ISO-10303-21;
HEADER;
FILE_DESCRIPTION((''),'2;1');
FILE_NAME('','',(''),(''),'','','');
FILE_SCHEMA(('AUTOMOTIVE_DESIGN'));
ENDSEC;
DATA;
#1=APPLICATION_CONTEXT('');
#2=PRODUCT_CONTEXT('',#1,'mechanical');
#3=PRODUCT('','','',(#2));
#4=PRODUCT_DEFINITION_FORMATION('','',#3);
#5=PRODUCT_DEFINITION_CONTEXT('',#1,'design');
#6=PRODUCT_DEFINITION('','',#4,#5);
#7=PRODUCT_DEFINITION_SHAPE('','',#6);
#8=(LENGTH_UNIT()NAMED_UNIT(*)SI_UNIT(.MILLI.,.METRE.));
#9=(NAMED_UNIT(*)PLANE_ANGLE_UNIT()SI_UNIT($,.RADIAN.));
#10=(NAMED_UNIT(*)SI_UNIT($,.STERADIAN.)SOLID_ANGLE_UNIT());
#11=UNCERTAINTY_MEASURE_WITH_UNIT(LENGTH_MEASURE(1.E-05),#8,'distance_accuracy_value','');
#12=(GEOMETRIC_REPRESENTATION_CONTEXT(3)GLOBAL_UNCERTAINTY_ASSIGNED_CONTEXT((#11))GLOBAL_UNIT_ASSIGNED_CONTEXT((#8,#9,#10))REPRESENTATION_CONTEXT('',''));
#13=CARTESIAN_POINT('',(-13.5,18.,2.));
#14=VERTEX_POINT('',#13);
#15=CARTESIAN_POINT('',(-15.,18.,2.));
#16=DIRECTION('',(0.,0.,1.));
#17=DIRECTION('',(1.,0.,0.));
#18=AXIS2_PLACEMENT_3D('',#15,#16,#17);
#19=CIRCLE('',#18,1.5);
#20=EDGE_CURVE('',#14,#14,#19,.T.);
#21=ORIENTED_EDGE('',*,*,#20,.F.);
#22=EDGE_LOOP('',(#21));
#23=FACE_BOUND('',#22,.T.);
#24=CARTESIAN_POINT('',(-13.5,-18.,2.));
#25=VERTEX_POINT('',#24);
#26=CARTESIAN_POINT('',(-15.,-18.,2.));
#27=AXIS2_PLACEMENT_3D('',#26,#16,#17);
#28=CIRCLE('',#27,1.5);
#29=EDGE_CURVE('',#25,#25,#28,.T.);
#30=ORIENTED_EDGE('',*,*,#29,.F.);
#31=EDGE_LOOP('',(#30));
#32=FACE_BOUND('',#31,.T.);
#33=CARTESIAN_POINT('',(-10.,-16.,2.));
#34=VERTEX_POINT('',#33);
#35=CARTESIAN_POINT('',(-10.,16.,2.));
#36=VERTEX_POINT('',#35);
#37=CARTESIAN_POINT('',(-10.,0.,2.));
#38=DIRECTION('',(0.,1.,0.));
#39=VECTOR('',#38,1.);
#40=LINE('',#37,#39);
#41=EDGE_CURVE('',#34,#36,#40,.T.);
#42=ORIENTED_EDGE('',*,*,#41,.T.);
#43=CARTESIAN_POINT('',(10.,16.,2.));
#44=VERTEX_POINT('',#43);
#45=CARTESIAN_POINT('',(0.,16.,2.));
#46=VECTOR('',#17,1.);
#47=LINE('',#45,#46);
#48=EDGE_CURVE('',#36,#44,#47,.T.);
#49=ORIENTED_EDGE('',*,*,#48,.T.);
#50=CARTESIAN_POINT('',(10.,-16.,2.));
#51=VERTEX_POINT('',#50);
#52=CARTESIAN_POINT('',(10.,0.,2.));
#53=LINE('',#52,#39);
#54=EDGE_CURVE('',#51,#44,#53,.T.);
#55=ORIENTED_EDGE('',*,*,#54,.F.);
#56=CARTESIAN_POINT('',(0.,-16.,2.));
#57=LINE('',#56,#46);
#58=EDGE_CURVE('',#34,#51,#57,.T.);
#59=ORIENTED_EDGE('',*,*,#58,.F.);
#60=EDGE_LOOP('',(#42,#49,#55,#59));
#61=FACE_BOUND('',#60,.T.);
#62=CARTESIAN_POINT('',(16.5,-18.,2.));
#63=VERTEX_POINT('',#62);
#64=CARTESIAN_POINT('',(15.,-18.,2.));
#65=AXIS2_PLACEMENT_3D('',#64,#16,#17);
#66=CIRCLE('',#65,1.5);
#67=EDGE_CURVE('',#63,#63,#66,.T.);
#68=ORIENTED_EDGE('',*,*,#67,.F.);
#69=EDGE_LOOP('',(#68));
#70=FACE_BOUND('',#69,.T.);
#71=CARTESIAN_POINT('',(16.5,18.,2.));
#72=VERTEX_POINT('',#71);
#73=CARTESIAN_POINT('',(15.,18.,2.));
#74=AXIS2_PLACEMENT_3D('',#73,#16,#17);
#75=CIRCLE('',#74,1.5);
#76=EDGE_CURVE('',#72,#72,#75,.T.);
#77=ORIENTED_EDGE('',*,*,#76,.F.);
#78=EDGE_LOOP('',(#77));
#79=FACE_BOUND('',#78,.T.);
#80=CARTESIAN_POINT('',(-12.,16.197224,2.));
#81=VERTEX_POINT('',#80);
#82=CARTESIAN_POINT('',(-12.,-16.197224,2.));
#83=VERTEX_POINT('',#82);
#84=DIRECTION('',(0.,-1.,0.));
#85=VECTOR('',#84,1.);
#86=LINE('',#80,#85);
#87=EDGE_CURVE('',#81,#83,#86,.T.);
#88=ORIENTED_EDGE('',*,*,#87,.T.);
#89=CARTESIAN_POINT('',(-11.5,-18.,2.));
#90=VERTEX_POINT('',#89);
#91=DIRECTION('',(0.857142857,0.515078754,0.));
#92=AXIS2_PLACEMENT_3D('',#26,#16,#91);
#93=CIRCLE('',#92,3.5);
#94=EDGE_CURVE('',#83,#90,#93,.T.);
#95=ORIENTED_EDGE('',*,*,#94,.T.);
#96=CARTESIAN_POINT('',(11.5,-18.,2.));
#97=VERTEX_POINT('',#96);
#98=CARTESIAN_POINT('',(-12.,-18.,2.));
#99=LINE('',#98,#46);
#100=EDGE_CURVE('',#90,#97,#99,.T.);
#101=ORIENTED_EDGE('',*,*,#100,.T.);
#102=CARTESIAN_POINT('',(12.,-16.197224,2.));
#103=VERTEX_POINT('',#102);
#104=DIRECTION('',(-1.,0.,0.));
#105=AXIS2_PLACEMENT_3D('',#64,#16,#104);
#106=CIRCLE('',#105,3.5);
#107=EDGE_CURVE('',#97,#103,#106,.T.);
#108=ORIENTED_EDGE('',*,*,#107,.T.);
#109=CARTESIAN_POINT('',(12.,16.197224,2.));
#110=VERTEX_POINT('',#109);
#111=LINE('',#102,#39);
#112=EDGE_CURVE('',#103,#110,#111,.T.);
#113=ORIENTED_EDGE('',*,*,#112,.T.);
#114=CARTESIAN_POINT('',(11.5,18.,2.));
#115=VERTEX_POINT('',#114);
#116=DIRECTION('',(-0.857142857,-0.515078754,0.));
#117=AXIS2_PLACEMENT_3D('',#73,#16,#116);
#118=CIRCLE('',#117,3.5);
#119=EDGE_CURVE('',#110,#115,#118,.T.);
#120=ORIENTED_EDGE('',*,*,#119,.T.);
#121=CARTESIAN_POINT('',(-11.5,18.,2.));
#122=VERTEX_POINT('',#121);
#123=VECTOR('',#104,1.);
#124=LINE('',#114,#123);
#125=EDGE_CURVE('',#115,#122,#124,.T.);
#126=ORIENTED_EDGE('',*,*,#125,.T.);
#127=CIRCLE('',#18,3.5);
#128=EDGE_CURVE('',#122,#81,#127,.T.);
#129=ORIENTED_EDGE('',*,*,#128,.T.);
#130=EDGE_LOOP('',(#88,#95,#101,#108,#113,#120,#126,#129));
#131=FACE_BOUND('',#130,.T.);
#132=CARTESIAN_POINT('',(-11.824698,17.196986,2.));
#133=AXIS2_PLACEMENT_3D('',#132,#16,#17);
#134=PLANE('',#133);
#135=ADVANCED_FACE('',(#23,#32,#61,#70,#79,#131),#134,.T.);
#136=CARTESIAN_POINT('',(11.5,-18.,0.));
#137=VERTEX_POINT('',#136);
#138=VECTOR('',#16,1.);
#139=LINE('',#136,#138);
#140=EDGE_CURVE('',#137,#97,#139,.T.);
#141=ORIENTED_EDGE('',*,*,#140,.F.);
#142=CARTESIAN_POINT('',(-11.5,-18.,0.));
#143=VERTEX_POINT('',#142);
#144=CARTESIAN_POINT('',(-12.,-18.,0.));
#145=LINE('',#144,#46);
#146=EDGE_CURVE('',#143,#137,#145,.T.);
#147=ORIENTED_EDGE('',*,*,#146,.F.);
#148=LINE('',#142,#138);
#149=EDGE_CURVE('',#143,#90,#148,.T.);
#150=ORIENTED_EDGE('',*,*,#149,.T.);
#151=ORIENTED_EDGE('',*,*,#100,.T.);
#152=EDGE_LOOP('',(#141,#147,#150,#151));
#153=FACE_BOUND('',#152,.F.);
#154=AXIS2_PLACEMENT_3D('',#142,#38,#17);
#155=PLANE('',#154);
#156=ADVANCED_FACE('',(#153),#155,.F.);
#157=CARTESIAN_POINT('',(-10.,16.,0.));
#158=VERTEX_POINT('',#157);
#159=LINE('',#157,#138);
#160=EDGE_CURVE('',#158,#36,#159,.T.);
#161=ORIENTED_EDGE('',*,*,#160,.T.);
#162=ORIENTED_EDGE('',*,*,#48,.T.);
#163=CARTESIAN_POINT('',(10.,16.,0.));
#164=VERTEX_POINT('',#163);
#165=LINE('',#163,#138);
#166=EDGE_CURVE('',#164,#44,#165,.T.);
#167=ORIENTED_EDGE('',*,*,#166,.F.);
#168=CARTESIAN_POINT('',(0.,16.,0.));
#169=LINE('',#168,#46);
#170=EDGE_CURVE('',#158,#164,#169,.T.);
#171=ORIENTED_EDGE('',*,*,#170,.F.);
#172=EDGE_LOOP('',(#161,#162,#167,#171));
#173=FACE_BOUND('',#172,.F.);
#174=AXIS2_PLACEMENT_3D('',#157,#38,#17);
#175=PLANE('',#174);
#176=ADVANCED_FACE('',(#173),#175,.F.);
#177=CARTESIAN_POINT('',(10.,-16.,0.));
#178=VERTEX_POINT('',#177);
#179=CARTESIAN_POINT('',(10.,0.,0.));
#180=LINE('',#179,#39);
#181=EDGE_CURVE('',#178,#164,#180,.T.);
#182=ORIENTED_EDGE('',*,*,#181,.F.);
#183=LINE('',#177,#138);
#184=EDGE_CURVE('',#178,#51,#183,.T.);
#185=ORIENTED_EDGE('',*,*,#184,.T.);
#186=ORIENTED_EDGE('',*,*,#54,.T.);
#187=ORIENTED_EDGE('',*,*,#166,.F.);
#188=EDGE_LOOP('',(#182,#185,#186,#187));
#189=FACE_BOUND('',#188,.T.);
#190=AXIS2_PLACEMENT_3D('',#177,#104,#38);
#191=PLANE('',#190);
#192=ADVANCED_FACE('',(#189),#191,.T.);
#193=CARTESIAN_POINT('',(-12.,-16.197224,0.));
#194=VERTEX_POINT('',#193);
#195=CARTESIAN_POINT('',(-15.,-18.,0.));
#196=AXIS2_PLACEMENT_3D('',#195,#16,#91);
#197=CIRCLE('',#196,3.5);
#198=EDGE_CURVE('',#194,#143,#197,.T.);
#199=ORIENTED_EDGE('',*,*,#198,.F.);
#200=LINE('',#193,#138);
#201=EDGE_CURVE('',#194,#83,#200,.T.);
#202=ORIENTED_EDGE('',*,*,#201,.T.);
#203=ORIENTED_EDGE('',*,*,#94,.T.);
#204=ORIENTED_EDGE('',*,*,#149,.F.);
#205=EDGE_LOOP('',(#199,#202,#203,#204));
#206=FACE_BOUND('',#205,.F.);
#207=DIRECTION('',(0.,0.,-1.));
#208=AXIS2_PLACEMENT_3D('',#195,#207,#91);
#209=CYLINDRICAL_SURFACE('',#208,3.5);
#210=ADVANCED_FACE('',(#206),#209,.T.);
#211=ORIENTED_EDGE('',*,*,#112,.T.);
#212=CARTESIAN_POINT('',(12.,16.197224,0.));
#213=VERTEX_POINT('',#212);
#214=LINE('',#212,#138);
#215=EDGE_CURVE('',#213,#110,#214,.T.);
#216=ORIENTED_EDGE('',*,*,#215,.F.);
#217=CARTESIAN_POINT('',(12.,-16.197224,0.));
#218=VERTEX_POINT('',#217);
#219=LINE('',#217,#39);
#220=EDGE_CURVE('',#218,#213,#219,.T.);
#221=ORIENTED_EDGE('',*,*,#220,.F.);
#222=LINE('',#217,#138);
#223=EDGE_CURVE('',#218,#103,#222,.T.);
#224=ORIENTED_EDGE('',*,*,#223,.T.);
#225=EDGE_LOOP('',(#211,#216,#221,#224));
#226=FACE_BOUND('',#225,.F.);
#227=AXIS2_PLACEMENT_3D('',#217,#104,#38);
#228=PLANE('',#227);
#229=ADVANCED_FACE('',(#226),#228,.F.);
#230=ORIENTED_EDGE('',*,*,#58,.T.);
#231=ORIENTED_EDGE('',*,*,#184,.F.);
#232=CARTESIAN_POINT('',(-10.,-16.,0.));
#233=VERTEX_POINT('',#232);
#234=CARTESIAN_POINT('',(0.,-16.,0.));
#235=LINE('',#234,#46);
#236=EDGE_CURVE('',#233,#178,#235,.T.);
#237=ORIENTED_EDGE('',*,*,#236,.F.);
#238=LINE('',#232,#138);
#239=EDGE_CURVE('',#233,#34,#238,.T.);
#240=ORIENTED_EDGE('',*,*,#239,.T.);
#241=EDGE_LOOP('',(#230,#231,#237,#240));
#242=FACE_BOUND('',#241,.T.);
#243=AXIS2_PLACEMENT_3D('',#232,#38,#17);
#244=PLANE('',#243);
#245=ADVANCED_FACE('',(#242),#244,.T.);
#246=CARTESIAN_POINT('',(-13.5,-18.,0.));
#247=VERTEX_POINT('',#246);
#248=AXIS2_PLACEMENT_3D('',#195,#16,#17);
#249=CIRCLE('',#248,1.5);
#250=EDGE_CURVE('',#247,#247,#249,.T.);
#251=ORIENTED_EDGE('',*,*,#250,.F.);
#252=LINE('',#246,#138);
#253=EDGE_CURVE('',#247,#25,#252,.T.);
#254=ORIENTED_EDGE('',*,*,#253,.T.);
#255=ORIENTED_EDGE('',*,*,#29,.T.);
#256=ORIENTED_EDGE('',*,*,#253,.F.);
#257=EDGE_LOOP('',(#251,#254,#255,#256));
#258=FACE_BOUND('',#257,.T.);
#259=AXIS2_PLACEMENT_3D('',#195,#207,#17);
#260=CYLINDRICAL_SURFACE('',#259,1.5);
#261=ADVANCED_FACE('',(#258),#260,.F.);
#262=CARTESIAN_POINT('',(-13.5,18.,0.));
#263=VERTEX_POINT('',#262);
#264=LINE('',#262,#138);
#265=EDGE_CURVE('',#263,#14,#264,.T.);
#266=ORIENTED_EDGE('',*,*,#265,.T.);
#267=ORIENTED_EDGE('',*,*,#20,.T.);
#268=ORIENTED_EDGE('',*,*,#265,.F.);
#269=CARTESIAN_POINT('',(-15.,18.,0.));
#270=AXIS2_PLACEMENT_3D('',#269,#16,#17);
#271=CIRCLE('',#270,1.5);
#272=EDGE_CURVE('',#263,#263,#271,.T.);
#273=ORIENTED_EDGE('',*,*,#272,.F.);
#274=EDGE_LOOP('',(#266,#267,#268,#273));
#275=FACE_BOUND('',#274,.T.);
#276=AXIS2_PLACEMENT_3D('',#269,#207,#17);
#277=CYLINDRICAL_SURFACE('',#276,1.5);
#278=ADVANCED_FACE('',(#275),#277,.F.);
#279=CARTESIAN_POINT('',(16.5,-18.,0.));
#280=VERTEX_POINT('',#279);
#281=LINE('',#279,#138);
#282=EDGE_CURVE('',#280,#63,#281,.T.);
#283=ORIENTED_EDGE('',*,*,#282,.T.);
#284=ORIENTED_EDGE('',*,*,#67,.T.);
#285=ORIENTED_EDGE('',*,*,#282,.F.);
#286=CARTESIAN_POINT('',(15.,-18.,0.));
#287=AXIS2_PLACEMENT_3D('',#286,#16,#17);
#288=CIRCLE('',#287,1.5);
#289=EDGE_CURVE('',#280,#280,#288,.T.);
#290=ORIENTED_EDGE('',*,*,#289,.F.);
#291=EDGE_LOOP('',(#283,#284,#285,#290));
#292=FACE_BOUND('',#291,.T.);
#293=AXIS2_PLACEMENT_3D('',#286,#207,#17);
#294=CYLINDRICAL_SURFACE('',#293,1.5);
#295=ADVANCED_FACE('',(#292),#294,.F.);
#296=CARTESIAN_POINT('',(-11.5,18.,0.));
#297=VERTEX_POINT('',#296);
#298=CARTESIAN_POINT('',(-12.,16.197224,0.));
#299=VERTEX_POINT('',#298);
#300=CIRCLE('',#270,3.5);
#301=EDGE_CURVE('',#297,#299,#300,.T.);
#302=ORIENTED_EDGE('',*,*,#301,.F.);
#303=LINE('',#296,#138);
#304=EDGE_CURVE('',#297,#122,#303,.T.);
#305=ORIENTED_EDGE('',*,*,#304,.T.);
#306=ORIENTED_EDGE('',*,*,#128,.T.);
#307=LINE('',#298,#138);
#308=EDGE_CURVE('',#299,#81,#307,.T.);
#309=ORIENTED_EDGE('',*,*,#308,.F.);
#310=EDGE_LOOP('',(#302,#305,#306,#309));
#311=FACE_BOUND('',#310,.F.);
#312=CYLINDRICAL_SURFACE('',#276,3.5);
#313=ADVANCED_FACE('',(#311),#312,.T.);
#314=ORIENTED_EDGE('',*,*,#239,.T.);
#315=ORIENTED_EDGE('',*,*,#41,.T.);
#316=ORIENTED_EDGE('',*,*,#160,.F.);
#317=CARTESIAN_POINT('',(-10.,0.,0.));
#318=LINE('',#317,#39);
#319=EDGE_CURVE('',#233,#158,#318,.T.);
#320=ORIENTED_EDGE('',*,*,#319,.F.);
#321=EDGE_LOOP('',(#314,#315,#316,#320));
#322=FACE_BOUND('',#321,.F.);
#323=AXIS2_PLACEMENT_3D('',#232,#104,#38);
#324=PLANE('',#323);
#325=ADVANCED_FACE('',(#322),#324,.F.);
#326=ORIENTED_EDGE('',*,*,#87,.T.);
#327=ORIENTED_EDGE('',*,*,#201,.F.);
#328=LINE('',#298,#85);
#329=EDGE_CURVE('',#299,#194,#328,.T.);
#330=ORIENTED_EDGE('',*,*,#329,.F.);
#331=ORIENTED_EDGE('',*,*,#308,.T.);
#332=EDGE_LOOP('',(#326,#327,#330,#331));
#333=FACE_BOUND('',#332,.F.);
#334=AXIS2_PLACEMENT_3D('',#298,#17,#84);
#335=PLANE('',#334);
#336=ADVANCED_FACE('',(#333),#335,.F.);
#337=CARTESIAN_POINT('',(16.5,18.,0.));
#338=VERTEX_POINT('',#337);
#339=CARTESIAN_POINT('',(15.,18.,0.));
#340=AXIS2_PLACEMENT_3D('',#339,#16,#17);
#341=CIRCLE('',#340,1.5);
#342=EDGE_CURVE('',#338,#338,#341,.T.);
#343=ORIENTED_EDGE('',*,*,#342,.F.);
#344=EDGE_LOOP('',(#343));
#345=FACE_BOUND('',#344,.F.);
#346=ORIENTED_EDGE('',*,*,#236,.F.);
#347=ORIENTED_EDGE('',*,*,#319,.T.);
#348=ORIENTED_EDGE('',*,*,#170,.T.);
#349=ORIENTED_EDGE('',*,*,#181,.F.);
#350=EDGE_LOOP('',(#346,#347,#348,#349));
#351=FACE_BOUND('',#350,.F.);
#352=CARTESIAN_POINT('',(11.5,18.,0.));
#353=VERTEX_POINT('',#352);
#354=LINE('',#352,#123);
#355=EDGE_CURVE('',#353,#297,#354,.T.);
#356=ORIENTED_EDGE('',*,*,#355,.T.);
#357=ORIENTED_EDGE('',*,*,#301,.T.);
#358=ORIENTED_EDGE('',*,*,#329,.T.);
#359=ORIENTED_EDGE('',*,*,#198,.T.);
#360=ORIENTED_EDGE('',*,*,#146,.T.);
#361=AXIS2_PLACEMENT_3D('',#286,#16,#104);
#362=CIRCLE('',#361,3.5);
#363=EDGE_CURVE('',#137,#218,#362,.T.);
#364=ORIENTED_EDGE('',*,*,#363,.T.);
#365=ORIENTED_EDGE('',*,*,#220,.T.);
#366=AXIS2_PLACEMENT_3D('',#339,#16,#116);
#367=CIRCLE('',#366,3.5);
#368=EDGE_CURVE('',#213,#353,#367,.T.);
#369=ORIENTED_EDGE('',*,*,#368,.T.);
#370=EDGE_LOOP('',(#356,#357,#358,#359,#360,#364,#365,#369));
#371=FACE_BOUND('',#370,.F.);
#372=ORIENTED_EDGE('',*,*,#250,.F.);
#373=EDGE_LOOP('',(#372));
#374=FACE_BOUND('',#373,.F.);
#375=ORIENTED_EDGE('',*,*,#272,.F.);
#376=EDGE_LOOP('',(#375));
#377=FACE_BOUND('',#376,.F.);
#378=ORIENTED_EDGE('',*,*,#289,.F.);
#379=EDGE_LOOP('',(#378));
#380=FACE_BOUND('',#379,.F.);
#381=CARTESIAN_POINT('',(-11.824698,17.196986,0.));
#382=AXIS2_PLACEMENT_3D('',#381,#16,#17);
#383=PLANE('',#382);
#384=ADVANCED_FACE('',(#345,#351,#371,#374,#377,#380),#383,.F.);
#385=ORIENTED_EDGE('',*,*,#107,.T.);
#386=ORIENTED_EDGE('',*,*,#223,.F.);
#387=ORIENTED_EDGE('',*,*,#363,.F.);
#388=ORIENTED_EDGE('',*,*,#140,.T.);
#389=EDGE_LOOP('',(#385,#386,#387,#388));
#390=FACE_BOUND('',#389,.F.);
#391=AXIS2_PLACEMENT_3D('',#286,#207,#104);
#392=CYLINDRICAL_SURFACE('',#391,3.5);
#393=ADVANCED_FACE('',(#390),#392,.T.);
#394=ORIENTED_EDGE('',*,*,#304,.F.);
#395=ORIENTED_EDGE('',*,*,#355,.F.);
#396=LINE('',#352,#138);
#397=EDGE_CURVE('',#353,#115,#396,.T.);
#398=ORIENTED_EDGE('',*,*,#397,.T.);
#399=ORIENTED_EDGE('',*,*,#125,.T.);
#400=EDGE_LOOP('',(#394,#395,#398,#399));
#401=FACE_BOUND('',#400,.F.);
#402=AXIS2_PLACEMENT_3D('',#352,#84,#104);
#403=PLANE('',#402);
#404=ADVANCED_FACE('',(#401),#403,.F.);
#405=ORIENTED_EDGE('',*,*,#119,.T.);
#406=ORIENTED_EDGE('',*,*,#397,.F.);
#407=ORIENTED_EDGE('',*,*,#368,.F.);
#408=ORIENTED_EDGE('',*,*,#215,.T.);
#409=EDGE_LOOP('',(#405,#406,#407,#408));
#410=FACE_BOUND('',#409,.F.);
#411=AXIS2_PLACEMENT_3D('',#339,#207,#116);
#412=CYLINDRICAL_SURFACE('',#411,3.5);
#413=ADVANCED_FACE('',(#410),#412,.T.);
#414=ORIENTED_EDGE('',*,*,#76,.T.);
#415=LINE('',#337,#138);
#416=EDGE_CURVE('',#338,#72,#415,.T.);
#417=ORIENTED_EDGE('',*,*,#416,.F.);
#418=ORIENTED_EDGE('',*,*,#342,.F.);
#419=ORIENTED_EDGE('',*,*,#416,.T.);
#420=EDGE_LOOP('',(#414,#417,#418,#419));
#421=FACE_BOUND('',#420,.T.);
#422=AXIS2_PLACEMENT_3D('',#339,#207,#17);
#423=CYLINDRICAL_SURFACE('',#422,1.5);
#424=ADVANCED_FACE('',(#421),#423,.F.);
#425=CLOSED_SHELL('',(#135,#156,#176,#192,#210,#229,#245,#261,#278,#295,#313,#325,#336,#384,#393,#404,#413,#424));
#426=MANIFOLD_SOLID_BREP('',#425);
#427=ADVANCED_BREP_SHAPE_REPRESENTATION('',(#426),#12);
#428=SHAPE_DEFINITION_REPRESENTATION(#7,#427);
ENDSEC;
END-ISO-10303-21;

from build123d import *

# Parameters (mm, degrees)
F0_R     = 1.5
F0_W     = 20
F0_H     = 32
F1_DEPTH = 2


with BuildPart() as f1:
    # F0 (on Top) → F1 (new body)
    with BuildSketch(Plane.XY):
        with BuildLine():
            ThreePointArc((-12, 16.1972243623), (-11.6273156092, 17.0645856533), (-11.5, 18))
            Line((-11.5, 18), (-12, 18))
            Line((-12, 18), (-12, 16.1972243623))
        make_face()
        with BuildLine():
            Line((-12, 18), (-11.5, 18))
            ThreePointArc((-11.5, 18), (-18.3726843908, 18.9354143467), (-12, 16.1972243623))
            Line((-12, 16.1972243623), (-12, 18))
        make_face()
        with Locations((-15, 18)):
            Circle(F0_R, mode=Mode.SUBTRACT)
        with BuildLine():
            Line((11.5, 18), (-11.5, 18))
            ThreePointArc((-11.5, 18), (-11.6273156092, 17.0645856533), (-12, 16.1972243623))
            Line((-12, 16.1972243623), (-12, -16.1972243623))
            ThreePointArc((-12, -16.1972243623), (-11.6273156092, -17.0645856533), (-11.5, -18))
            Line((-11.5, -18), (11.5, -18))
            ThreePointArc((11.5, -18), (11.6273156092, -17.0645856533), (12, -16.1972243623))
            Line((12, -16.1972243623), (12, 16.1972243623))
            ThreePointArc((12, 16.1972243623), (11.6273156092, 17.0645856533), (11.5, 18))
        make_face()
        Rectangle(F0_W, F0_H, mode=Mode.SUBTRACT)
        with BuildLine():
            ThreePointArc((18.5, 18), (15, 21.5), (11.5, 18))
            Line((11.5, 18), (12, 18))
            Line((12, 18), (12, 16.1972243623))
            ThreePointArc((12, 16.1972243623), (15.9354143467, 14.6273156092), (18.5, 18))
        make_face()
        with Locations((15, 18)):
            Circle(F0_R, mode=Mode.SUBTRACT)
        with BuildLine():
            Line((12, 18), (11.5, 18))
            ThreePointArc((11.5, 18), (11.6273156092, 17.0645856533), (12, 16.1972243623))
            Line((12, 16.1972243623), (12, 18))
        make_face()
        with BuildLine():
            ThreePointArc((-11.5, -18), (-11.6273156092, -17.0645856533), (-12, -16.1972243623))
            Line((-12, -16.1972243623), (-12, -18))
            Line((-12, -18), (-11.5, -18))
        make_face()
        with BuildLine():
            Line((-12, -18), (-12, -16.1972243623))
            ThreePointArc((-12, -16.1972243623), (-18.3726843908, -18.9354143467), (-11.5, -18))
            Line((-11.5, -18), (-12, -18))
        make_face()
        with Locations((-15, -18)):
            Circle(F0_R, mode=Mode.SUBTRACT)
        with BuildLine():
            ThreePointArc((18.5, -18), (15.9354143467, -14.6273156092), (12, -16.1972243623))
            Line((12, -16.1972243623), (12, -18))
            Line((12, -18), (11.5, -18))
            ThreePointArc((11.5, -18), (15, -21.5), (18.5, -18))
        make_face()
        with Locations((15, -18)):
            Circle(F0_R, mode=Mode.SUBTRACT)
        with BuildLine():
            Line((12, -18), (12, -16.1972243623))
            ThreePointArc((12, -16.1972243623), (11.6273156092, -17.0645856533), (11.5, -18))
            Line((11.5, -18), (12, -18))
        make_face()
    extrude(amount=F1_DEPTH)


solid = f1.part
